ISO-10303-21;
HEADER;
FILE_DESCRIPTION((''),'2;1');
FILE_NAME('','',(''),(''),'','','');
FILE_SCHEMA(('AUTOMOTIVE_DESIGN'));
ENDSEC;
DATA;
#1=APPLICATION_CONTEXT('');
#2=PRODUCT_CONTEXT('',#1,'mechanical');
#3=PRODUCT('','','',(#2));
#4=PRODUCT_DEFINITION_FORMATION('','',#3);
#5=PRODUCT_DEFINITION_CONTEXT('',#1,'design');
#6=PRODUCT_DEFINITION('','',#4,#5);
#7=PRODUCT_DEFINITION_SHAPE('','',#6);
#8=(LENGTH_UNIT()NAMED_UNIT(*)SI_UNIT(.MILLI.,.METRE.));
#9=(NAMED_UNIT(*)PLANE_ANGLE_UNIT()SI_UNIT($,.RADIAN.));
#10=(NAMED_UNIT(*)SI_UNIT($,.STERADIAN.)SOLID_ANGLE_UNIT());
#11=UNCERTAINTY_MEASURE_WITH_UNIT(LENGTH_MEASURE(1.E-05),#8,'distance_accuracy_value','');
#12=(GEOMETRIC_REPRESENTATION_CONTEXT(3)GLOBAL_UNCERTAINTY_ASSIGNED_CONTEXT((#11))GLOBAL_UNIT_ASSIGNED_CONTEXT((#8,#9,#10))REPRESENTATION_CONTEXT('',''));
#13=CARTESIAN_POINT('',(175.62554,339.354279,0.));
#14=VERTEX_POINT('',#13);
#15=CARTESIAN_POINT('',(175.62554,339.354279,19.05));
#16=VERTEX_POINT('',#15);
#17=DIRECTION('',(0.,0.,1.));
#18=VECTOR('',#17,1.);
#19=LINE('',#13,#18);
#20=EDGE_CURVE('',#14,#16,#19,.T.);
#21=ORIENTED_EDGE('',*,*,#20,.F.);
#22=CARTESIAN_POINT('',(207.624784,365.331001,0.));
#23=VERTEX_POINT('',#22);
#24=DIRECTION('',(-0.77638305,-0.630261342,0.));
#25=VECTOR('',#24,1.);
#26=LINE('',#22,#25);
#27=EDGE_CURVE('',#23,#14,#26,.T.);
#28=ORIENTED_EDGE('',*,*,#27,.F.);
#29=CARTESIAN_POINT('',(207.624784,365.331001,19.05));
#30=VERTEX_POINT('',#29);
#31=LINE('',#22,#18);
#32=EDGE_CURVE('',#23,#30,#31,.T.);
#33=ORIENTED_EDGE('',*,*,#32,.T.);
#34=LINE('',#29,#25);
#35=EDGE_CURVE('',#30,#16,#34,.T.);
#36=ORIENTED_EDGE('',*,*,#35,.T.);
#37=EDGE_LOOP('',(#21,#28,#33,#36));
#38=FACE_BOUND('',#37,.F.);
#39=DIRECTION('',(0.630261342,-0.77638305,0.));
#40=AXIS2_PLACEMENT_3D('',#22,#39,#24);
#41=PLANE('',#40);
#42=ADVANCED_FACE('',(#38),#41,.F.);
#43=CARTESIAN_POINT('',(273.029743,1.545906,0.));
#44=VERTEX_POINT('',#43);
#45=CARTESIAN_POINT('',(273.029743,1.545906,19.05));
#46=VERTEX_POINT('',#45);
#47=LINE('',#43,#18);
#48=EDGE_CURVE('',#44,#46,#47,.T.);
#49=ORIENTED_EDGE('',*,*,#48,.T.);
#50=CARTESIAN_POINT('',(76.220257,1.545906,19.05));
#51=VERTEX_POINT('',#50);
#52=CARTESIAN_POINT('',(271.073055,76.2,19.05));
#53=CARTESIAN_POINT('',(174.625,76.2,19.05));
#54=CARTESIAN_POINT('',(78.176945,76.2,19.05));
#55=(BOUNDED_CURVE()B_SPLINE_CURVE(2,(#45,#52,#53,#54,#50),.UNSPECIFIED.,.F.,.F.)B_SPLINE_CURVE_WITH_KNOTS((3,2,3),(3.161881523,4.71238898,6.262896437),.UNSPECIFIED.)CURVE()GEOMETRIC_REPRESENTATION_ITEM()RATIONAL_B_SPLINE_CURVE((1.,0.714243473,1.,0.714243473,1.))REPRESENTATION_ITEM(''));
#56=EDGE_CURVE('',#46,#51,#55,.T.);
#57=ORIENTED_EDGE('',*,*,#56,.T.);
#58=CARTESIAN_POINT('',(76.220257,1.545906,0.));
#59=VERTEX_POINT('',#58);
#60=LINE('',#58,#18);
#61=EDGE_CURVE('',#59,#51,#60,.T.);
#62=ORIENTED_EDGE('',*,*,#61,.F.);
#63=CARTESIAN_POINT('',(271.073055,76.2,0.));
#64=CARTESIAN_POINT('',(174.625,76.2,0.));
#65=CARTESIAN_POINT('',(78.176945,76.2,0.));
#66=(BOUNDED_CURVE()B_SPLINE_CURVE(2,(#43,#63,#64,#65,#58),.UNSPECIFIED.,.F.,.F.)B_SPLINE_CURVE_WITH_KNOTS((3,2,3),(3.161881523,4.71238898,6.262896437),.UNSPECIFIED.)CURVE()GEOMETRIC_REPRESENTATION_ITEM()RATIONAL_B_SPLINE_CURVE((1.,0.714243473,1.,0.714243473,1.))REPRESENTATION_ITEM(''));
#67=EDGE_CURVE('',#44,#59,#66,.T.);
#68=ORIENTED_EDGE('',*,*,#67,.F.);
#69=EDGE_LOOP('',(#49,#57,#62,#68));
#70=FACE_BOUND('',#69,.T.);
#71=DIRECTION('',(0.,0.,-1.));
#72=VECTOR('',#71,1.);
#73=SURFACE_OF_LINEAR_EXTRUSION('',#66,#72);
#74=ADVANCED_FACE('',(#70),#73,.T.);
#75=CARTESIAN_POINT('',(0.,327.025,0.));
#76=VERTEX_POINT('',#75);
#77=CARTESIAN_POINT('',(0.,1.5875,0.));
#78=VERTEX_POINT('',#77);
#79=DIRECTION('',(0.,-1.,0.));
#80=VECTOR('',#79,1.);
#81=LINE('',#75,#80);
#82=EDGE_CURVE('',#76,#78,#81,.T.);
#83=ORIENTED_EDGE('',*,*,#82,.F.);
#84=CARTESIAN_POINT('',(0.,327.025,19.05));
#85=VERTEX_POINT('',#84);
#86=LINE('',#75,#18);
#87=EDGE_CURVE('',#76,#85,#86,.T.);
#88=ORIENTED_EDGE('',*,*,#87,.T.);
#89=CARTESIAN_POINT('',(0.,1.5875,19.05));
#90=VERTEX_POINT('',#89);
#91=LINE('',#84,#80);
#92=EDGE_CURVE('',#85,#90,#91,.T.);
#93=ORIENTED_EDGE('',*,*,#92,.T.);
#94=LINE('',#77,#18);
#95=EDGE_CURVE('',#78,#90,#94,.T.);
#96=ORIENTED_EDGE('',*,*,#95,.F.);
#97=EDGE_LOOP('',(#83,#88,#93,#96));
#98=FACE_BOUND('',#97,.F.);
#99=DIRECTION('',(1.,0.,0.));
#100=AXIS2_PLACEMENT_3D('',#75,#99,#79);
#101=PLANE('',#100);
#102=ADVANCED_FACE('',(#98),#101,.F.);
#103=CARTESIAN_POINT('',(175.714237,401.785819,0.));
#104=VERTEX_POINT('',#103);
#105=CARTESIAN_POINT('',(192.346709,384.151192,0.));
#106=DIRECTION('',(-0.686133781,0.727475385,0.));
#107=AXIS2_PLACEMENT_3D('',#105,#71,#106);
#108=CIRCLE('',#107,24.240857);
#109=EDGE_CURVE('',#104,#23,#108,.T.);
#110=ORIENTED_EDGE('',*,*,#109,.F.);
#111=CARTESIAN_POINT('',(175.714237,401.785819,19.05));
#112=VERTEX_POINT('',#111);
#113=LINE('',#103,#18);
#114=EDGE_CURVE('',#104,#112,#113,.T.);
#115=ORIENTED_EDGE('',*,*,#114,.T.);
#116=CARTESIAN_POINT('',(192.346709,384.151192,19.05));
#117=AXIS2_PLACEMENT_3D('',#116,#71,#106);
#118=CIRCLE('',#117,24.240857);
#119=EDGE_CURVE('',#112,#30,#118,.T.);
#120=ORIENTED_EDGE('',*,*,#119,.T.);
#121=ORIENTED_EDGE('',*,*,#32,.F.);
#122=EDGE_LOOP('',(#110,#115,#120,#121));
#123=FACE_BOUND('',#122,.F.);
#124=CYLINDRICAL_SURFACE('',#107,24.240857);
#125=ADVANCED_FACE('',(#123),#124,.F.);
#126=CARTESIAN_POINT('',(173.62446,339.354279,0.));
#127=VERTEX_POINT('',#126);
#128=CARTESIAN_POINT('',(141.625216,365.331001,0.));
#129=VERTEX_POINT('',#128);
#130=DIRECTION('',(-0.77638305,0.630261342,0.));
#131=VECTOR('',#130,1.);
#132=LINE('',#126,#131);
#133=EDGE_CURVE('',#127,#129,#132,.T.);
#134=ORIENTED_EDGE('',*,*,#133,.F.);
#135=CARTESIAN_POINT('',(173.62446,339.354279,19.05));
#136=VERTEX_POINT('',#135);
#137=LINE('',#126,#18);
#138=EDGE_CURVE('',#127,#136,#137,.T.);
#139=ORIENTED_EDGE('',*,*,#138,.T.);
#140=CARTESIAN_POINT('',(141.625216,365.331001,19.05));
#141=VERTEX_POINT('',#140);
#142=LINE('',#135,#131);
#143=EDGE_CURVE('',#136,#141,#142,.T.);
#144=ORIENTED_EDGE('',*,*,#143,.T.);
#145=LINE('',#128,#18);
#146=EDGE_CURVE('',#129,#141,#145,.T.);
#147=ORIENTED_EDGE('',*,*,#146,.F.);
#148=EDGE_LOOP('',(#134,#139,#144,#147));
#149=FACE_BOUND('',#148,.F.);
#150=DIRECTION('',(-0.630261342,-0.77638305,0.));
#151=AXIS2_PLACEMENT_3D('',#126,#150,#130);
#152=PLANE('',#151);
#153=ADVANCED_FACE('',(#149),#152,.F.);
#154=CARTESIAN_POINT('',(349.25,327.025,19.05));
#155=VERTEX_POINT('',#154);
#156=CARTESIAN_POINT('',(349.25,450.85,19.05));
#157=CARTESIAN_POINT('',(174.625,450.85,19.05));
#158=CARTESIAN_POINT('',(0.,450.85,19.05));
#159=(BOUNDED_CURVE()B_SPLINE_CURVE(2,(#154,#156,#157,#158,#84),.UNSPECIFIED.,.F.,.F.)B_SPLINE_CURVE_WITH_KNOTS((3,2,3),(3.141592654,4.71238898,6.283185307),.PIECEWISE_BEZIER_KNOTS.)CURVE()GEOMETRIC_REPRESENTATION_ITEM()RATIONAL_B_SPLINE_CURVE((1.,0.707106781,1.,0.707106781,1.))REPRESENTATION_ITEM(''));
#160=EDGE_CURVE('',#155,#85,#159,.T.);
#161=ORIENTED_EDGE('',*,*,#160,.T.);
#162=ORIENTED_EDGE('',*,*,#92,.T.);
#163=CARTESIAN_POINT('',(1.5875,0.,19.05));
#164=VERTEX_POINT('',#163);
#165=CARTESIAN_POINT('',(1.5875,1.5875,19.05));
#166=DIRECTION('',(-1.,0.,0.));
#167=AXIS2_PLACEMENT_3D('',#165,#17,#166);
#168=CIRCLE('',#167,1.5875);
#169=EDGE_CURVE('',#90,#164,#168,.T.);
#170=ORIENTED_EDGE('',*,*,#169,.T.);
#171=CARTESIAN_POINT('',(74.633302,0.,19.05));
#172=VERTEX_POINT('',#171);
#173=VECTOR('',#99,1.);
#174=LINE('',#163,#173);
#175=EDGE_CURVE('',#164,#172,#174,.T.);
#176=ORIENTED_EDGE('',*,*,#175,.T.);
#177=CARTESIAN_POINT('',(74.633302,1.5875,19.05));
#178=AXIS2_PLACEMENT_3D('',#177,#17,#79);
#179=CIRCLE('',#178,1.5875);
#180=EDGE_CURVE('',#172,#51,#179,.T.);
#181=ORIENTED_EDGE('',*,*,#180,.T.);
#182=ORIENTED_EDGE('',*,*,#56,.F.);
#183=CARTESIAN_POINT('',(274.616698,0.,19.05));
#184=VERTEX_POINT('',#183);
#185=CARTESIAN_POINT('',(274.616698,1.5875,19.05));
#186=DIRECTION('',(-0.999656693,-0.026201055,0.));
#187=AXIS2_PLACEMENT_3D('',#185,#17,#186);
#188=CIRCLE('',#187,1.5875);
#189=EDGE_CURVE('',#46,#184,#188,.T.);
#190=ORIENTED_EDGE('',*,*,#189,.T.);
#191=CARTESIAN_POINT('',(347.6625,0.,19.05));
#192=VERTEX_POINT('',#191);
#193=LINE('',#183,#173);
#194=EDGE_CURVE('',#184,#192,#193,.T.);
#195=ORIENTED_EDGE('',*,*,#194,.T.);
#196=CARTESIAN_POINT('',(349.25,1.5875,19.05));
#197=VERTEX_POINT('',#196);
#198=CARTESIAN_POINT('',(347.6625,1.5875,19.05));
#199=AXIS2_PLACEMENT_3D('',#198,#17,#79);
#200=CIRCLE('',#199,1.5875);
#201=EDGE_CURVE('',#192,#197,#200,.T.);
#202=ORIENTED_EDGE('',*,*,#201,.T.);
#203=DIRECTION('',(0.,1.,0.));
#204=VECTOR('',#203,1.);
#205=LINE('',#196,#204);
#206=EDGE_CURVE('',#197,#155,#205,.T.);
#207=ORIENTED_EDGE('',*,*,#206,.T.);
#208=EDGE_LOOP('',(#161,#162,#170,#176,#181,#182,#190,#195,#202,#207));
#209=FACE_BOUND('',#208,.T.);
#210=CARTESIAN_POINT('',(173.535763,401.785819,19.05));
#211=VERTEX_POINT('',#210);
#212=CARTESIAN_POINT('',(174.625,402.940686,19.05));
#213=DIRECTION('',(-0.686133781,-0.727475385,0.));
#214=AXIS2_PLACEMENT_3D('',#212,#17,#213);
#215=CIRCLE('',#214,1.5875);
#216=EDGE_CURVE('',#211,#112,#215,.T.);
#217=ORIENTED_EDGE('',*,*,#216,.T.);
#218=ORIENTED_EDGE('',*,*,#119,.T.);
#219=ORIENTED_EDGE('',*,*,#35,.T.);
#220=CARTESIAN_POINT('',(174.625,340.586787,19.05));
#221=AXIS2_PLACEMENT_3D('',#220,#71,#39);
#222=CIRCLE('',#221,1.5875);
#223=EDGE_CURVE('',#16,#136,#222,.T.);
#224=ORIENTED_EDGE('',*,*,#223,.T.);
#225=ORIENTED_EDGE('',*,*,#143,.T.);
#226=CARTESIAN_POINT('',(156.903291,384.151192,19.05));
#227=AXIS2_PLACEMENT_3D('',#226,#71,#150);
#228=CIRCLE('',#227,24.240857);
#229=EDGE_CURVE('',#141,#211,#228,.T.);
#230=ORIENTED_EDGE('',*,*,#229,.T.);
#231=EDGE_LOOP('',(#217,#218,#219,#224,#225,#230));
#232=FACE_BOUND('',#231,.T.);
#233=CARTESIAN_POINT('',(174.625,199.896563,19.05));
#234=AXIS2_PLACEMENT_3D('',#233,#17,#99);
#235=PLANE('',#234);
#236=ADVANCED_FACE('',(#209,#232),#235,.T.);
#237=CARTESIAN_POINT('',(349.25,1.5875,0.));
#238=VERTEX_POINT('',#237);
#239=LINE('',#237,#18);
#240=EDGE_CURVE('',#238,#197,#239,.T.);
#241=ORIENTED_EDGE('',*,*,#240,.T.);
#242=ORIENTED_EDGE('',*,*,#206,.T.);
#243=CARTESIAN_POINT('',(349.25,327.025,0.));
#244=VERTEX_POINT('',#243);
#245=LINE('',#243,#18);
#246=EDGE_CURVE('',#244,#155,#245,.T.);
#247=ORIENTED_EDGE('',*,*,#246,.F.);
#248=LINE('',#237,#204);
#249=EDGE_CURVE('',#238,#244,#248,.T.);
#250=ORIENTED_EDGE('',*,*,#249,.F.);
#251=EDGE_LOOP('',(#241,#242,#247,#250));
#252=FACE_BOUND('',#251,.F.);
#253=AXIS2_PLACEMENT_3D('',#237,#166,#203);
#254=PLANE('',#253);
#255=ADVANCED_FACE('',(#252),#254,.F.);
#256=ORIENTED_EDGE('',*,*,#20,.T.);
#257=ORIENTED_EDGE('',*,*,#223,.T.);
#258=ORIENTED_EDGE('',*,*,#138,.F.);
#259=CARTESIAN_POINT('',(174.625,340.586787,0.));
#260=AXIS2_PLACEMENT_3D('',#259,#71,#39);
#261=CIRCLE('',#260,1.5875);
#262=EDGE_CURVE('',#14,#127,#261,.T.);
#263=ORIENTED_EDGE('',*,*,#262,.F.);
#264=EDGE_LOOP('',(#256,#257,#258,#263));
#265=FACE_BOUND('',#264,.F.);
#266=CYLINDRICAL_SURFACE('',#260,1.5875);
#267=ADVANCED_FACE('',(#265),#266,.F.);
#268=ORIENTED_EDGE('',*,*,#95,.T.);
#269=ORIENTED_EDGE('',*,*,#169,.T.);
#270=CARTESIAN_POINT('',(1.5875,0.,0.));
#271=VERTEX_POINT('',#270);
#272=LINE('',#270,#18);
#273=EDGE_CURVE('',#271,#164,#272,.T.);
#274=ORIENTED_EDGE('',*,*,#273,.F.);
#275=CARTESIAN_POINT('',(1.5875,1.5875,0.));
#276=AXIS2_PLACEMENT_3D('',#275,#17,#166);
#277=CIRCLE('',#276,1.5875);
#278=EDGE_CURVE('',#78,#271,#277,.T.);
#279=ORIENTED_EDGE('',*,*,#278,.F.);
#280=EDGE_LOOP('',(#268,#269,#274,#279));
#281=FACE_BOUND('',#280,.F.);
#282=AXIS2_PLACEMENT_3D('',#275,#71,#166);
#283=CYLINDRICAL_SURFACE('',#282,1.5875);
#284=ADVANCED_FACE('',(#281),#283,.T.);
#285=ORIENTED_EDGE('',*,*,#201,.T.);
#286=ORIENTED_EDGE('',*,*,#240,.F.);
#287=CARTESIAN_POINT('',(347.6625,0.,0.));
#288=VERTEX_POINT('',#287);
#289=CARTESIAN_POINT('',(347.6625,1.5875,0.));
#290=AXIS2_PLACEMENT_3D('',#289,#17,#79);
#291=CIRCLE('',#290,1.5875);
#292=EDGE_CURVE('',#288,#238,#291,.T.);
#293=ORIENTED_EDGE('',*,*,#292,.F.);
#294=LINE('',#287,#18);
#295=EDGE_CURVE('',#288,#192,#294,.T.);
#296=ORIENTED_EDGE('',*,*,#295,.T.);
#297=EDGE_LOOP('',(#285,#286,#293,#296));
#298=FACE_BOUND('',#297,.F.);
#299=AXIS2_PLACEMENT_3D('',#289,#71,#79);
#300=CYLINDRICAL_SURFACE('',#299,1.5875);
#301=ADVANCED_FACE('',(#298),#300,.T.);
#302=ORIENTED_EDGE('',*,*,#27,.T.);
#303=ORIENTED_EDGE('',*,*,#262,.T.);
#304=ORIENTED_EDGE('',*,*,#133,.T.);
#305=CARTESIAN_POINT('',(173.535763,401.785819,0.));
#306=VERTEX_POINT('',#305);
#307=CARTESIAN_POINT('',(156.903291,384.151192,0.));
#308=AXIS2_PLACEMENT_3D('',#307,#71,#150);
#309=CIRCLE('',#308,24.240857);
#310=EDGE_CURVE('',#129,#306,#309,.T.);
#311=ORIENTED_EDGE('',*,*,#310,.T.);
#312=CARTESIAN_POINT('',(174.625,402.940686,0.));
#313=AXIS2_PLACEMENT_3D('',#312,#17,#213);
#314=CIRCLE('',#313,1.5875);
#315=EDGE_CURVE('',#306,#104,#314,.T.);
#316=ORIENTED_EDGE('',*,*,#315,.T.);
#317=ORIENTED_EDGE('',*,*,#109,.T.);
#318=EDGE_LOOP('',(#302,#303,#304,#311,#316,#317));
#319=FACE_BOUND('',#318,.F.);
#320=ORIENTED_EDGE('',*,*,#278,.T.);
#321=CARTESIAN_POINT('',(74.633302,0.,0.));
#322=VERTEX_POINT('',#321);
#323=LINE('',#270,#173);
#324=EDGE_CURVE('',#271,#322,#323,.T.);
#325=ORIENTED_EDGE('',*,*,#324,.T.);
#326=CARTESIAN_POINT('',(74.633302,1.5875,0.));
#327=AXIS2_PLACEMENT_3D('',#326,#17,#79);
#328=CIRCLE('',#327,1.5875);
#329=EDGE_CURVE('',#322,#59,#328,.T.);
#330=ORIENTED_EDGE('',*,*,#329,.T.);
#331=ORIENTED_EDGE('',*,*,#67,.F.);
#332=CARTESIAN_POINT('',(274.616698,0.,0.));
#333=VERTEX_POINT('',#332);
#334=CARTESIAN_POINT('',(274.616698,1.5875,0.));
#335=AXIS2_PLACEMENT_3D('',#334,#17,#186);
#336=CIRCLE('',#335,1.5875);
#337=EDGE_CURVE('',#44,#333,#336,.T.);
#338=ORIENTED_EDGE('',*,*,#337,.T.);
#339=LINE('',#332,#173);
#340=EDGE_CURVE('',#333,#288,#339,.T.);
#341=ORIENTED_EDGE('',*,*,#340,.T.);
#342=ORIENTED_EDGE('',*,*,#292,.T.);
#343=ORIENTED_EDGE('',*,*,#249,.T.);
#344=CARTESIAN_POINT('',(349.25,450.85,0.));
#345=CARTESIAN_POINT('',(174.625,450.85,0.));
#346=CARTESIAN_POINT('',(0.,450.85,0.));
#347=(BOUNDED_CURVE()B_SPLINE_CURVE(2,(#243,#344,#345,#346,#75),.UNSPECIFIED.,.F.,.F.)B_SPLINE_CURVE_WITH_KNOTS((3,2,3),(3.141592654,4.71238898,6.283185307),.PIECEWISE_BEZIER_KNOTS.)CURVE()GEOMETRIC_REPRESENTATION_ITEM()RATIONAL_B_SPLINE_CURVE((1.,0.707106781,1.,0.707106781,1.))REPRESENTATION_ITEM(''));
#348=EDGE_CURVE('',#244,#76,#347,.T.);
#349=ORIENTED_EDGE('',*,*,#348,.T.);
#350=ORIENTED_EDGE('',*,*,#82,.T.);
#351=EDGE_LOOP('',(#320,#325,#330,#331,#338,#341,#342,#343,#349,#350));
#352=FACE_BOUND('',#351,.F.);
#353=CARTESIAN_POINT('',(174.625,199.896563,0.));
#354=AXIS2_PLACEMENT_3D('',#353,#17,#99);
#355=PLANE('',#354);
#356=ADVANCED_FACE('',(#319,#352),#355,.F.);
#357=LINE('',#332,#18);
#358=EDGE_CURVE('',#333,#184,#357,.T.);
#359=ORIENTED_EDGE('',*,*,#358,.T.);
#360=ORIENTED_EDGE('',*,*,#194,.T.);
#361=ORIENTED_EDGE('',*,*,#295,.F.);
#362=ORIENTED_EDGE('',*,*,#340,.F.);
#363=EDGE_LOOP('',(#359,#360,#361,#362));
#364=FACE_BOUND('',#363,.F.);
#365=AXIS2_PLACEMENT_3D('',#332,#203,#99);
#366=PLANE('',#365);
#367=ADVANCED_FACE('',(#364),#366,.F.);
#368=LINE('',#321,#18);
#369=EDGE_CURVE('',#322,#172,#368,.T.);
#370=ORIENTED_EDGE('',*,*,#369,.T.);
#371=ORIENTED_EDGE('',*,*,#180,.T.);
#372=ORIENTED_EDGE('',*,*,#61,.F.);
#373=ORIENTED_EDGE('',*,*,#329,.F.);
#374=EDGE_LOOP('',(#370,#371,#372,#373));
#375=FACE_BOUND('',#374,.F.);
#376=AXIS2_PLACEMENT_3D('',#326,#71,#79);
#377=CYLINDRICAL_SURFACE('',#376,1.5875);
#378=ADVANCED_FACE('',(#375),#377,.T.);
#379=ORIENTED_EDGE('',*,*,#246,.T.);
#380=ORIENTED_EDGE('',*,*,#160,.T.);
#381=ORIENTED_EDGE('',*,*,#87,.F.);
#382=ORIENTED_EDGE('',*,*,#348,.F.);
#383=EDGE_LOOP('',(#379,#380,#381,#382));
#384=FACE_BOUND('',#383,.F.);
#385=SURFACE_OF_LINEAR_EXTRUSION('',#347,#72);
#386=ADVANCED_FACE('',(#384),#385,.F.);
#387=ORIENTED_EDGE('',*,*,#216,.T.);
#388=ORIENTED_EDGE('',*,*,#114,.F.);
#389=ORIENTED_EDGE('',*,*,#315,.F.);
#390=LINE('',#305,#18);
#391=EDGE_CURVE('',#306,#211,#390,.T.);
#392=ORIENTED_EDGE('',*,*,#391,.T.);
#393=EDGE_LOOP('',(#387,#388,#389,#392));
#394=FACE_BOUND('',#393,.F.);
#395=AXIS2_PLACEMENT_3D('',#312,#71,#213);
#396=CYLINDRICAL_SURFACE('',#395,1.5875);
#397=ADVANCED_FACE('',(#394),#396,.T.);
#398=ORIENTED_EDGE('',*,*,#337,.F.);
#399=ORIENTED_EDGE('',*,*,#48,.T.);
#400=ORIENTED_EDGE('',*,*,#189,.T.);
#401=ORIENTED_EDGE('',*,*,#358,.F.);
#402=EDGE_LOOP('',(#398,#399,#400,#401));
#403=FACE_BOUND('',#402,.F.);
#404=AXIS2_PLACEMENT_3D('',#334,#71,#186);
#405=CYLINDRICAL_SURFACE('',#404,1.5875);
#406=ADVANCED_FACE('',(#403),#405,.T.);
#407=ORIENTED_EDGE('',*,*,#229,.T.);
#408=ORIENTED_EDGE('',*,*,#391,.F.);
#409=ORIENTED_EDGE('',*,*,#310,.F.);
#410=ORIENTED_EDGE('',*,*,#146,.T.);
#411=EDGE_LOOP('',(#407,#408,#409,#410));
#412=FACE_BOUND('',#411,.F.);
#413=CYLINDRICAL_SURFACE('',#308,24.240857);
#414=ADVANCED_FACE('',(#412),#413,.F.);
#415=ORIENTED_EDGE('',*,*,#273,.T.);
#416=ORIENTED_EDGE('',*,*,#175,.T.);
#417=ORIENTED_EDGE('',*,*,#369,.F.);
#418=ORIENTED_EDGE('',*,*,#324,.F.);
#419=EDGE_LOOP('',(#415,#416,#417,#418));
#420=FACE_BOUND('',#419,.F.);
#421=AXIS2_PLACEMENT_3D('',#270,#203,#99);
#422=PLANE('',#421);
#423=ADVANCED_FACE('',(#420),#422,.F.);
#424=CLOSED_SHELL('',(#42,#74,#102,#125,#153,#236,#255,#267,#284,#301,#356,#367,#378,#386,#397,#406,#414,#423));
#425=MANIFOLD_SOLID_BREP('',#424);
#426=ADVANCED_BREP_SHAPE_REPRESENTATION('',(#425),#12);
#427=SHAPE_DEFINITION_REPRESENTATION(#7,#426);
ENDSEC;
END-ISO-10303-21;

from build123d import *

# Parameters (mm, degrees)
F1_DEPTH = 19.05


with BuildPart() as f1:
    # F0 (on Top) → F1 (new body)
    with BuildSketch(Plane.XY):
        with BuildLine():
            ThreePointArc((0, 1.5875), (0.4649679849, 0.4649679849), (1.5875, 0))
            Line((1.5875, 0), (74.6333020513, 0))
            ThreePointArc((74.6333020513, 0), (75.7410306951, 0.4503573081), (76.2202570521, 1.5459058246))
            add(Edge.make_bspline(
                [(273.0297429479, 1.5459058246), (271.0730551496, 76.2), (174.625, 76.2), (78.1769448504, 76.2), (76.2202570521, 1.5459058246)],
                knots=[3.1618815235, 3.1618815235, 3.1618815235, 4.7123889804, 4.7123889804, 6.2628964372, 6.2628964372, 6.2628964372], degree=2, weights=[1, 0.7142434732, 1, 0.7142434732, 1]))
            ThreePointArc((273.0297429479, 1.5459058246), (273.5089693049, 0.4503573081), (274.6166979487, 0))
            Line((274.6166979487, 0), (347.6625, 0))
            ThreePointArc((347.6625, 0), (348.7850320151, 0.4649679849), (349.25, 1.5875))
            Line((349.25, 1.5875), (349.25, 327.025))
            add(Edge.make_bspline(
                [(349.25, 327.025), (349.25, 450.85), (174.625, 450.85), (0, 450.85), (0, 327.025)],
                knots=[3.1415926536, 3.1415926536, 3.1415926536, 4.7123889804, 4.7123889804, 6.2831853072, 6.2831853072, 6.2831853072], degree=2, weights=[1, 0.7071067812, 1, 0.7071067812, 1]))
            Line((0, 327.025), (0, 1.5875))
        make_face()
        with BuildLine():
            ThreePointArc((175.6255398811, 339.3542789737), (174.625, 338.9992870655), (173.6244601189, 339.3542789737))
            Line((173.6244601189, 339.3542789737), (141.6252161387, 365.331000735))
            ThreePointArc((141.6252161387, 365.331000735), (138.6633069983, 400.1174727261), (173.5357626232, 401.7858186217))
            ThreePointArc((173.5357626232, 401.7858186217), (174.625, 401.3531857946), (175.7142373768, 401.7858186217))
            ThreePointArc((175.7142373767, 401.7858186217), (210.5866930017, 400.1174727261), (207.6247838613, 365.331000735))
            Line((207.6247838613, 365.331000735), (175.6255398811, 339.3542789737))
        make_face(mode=Mode.SUBTRACT)
    extrude(amount=F1_DEPTH)


solid = f1.part
